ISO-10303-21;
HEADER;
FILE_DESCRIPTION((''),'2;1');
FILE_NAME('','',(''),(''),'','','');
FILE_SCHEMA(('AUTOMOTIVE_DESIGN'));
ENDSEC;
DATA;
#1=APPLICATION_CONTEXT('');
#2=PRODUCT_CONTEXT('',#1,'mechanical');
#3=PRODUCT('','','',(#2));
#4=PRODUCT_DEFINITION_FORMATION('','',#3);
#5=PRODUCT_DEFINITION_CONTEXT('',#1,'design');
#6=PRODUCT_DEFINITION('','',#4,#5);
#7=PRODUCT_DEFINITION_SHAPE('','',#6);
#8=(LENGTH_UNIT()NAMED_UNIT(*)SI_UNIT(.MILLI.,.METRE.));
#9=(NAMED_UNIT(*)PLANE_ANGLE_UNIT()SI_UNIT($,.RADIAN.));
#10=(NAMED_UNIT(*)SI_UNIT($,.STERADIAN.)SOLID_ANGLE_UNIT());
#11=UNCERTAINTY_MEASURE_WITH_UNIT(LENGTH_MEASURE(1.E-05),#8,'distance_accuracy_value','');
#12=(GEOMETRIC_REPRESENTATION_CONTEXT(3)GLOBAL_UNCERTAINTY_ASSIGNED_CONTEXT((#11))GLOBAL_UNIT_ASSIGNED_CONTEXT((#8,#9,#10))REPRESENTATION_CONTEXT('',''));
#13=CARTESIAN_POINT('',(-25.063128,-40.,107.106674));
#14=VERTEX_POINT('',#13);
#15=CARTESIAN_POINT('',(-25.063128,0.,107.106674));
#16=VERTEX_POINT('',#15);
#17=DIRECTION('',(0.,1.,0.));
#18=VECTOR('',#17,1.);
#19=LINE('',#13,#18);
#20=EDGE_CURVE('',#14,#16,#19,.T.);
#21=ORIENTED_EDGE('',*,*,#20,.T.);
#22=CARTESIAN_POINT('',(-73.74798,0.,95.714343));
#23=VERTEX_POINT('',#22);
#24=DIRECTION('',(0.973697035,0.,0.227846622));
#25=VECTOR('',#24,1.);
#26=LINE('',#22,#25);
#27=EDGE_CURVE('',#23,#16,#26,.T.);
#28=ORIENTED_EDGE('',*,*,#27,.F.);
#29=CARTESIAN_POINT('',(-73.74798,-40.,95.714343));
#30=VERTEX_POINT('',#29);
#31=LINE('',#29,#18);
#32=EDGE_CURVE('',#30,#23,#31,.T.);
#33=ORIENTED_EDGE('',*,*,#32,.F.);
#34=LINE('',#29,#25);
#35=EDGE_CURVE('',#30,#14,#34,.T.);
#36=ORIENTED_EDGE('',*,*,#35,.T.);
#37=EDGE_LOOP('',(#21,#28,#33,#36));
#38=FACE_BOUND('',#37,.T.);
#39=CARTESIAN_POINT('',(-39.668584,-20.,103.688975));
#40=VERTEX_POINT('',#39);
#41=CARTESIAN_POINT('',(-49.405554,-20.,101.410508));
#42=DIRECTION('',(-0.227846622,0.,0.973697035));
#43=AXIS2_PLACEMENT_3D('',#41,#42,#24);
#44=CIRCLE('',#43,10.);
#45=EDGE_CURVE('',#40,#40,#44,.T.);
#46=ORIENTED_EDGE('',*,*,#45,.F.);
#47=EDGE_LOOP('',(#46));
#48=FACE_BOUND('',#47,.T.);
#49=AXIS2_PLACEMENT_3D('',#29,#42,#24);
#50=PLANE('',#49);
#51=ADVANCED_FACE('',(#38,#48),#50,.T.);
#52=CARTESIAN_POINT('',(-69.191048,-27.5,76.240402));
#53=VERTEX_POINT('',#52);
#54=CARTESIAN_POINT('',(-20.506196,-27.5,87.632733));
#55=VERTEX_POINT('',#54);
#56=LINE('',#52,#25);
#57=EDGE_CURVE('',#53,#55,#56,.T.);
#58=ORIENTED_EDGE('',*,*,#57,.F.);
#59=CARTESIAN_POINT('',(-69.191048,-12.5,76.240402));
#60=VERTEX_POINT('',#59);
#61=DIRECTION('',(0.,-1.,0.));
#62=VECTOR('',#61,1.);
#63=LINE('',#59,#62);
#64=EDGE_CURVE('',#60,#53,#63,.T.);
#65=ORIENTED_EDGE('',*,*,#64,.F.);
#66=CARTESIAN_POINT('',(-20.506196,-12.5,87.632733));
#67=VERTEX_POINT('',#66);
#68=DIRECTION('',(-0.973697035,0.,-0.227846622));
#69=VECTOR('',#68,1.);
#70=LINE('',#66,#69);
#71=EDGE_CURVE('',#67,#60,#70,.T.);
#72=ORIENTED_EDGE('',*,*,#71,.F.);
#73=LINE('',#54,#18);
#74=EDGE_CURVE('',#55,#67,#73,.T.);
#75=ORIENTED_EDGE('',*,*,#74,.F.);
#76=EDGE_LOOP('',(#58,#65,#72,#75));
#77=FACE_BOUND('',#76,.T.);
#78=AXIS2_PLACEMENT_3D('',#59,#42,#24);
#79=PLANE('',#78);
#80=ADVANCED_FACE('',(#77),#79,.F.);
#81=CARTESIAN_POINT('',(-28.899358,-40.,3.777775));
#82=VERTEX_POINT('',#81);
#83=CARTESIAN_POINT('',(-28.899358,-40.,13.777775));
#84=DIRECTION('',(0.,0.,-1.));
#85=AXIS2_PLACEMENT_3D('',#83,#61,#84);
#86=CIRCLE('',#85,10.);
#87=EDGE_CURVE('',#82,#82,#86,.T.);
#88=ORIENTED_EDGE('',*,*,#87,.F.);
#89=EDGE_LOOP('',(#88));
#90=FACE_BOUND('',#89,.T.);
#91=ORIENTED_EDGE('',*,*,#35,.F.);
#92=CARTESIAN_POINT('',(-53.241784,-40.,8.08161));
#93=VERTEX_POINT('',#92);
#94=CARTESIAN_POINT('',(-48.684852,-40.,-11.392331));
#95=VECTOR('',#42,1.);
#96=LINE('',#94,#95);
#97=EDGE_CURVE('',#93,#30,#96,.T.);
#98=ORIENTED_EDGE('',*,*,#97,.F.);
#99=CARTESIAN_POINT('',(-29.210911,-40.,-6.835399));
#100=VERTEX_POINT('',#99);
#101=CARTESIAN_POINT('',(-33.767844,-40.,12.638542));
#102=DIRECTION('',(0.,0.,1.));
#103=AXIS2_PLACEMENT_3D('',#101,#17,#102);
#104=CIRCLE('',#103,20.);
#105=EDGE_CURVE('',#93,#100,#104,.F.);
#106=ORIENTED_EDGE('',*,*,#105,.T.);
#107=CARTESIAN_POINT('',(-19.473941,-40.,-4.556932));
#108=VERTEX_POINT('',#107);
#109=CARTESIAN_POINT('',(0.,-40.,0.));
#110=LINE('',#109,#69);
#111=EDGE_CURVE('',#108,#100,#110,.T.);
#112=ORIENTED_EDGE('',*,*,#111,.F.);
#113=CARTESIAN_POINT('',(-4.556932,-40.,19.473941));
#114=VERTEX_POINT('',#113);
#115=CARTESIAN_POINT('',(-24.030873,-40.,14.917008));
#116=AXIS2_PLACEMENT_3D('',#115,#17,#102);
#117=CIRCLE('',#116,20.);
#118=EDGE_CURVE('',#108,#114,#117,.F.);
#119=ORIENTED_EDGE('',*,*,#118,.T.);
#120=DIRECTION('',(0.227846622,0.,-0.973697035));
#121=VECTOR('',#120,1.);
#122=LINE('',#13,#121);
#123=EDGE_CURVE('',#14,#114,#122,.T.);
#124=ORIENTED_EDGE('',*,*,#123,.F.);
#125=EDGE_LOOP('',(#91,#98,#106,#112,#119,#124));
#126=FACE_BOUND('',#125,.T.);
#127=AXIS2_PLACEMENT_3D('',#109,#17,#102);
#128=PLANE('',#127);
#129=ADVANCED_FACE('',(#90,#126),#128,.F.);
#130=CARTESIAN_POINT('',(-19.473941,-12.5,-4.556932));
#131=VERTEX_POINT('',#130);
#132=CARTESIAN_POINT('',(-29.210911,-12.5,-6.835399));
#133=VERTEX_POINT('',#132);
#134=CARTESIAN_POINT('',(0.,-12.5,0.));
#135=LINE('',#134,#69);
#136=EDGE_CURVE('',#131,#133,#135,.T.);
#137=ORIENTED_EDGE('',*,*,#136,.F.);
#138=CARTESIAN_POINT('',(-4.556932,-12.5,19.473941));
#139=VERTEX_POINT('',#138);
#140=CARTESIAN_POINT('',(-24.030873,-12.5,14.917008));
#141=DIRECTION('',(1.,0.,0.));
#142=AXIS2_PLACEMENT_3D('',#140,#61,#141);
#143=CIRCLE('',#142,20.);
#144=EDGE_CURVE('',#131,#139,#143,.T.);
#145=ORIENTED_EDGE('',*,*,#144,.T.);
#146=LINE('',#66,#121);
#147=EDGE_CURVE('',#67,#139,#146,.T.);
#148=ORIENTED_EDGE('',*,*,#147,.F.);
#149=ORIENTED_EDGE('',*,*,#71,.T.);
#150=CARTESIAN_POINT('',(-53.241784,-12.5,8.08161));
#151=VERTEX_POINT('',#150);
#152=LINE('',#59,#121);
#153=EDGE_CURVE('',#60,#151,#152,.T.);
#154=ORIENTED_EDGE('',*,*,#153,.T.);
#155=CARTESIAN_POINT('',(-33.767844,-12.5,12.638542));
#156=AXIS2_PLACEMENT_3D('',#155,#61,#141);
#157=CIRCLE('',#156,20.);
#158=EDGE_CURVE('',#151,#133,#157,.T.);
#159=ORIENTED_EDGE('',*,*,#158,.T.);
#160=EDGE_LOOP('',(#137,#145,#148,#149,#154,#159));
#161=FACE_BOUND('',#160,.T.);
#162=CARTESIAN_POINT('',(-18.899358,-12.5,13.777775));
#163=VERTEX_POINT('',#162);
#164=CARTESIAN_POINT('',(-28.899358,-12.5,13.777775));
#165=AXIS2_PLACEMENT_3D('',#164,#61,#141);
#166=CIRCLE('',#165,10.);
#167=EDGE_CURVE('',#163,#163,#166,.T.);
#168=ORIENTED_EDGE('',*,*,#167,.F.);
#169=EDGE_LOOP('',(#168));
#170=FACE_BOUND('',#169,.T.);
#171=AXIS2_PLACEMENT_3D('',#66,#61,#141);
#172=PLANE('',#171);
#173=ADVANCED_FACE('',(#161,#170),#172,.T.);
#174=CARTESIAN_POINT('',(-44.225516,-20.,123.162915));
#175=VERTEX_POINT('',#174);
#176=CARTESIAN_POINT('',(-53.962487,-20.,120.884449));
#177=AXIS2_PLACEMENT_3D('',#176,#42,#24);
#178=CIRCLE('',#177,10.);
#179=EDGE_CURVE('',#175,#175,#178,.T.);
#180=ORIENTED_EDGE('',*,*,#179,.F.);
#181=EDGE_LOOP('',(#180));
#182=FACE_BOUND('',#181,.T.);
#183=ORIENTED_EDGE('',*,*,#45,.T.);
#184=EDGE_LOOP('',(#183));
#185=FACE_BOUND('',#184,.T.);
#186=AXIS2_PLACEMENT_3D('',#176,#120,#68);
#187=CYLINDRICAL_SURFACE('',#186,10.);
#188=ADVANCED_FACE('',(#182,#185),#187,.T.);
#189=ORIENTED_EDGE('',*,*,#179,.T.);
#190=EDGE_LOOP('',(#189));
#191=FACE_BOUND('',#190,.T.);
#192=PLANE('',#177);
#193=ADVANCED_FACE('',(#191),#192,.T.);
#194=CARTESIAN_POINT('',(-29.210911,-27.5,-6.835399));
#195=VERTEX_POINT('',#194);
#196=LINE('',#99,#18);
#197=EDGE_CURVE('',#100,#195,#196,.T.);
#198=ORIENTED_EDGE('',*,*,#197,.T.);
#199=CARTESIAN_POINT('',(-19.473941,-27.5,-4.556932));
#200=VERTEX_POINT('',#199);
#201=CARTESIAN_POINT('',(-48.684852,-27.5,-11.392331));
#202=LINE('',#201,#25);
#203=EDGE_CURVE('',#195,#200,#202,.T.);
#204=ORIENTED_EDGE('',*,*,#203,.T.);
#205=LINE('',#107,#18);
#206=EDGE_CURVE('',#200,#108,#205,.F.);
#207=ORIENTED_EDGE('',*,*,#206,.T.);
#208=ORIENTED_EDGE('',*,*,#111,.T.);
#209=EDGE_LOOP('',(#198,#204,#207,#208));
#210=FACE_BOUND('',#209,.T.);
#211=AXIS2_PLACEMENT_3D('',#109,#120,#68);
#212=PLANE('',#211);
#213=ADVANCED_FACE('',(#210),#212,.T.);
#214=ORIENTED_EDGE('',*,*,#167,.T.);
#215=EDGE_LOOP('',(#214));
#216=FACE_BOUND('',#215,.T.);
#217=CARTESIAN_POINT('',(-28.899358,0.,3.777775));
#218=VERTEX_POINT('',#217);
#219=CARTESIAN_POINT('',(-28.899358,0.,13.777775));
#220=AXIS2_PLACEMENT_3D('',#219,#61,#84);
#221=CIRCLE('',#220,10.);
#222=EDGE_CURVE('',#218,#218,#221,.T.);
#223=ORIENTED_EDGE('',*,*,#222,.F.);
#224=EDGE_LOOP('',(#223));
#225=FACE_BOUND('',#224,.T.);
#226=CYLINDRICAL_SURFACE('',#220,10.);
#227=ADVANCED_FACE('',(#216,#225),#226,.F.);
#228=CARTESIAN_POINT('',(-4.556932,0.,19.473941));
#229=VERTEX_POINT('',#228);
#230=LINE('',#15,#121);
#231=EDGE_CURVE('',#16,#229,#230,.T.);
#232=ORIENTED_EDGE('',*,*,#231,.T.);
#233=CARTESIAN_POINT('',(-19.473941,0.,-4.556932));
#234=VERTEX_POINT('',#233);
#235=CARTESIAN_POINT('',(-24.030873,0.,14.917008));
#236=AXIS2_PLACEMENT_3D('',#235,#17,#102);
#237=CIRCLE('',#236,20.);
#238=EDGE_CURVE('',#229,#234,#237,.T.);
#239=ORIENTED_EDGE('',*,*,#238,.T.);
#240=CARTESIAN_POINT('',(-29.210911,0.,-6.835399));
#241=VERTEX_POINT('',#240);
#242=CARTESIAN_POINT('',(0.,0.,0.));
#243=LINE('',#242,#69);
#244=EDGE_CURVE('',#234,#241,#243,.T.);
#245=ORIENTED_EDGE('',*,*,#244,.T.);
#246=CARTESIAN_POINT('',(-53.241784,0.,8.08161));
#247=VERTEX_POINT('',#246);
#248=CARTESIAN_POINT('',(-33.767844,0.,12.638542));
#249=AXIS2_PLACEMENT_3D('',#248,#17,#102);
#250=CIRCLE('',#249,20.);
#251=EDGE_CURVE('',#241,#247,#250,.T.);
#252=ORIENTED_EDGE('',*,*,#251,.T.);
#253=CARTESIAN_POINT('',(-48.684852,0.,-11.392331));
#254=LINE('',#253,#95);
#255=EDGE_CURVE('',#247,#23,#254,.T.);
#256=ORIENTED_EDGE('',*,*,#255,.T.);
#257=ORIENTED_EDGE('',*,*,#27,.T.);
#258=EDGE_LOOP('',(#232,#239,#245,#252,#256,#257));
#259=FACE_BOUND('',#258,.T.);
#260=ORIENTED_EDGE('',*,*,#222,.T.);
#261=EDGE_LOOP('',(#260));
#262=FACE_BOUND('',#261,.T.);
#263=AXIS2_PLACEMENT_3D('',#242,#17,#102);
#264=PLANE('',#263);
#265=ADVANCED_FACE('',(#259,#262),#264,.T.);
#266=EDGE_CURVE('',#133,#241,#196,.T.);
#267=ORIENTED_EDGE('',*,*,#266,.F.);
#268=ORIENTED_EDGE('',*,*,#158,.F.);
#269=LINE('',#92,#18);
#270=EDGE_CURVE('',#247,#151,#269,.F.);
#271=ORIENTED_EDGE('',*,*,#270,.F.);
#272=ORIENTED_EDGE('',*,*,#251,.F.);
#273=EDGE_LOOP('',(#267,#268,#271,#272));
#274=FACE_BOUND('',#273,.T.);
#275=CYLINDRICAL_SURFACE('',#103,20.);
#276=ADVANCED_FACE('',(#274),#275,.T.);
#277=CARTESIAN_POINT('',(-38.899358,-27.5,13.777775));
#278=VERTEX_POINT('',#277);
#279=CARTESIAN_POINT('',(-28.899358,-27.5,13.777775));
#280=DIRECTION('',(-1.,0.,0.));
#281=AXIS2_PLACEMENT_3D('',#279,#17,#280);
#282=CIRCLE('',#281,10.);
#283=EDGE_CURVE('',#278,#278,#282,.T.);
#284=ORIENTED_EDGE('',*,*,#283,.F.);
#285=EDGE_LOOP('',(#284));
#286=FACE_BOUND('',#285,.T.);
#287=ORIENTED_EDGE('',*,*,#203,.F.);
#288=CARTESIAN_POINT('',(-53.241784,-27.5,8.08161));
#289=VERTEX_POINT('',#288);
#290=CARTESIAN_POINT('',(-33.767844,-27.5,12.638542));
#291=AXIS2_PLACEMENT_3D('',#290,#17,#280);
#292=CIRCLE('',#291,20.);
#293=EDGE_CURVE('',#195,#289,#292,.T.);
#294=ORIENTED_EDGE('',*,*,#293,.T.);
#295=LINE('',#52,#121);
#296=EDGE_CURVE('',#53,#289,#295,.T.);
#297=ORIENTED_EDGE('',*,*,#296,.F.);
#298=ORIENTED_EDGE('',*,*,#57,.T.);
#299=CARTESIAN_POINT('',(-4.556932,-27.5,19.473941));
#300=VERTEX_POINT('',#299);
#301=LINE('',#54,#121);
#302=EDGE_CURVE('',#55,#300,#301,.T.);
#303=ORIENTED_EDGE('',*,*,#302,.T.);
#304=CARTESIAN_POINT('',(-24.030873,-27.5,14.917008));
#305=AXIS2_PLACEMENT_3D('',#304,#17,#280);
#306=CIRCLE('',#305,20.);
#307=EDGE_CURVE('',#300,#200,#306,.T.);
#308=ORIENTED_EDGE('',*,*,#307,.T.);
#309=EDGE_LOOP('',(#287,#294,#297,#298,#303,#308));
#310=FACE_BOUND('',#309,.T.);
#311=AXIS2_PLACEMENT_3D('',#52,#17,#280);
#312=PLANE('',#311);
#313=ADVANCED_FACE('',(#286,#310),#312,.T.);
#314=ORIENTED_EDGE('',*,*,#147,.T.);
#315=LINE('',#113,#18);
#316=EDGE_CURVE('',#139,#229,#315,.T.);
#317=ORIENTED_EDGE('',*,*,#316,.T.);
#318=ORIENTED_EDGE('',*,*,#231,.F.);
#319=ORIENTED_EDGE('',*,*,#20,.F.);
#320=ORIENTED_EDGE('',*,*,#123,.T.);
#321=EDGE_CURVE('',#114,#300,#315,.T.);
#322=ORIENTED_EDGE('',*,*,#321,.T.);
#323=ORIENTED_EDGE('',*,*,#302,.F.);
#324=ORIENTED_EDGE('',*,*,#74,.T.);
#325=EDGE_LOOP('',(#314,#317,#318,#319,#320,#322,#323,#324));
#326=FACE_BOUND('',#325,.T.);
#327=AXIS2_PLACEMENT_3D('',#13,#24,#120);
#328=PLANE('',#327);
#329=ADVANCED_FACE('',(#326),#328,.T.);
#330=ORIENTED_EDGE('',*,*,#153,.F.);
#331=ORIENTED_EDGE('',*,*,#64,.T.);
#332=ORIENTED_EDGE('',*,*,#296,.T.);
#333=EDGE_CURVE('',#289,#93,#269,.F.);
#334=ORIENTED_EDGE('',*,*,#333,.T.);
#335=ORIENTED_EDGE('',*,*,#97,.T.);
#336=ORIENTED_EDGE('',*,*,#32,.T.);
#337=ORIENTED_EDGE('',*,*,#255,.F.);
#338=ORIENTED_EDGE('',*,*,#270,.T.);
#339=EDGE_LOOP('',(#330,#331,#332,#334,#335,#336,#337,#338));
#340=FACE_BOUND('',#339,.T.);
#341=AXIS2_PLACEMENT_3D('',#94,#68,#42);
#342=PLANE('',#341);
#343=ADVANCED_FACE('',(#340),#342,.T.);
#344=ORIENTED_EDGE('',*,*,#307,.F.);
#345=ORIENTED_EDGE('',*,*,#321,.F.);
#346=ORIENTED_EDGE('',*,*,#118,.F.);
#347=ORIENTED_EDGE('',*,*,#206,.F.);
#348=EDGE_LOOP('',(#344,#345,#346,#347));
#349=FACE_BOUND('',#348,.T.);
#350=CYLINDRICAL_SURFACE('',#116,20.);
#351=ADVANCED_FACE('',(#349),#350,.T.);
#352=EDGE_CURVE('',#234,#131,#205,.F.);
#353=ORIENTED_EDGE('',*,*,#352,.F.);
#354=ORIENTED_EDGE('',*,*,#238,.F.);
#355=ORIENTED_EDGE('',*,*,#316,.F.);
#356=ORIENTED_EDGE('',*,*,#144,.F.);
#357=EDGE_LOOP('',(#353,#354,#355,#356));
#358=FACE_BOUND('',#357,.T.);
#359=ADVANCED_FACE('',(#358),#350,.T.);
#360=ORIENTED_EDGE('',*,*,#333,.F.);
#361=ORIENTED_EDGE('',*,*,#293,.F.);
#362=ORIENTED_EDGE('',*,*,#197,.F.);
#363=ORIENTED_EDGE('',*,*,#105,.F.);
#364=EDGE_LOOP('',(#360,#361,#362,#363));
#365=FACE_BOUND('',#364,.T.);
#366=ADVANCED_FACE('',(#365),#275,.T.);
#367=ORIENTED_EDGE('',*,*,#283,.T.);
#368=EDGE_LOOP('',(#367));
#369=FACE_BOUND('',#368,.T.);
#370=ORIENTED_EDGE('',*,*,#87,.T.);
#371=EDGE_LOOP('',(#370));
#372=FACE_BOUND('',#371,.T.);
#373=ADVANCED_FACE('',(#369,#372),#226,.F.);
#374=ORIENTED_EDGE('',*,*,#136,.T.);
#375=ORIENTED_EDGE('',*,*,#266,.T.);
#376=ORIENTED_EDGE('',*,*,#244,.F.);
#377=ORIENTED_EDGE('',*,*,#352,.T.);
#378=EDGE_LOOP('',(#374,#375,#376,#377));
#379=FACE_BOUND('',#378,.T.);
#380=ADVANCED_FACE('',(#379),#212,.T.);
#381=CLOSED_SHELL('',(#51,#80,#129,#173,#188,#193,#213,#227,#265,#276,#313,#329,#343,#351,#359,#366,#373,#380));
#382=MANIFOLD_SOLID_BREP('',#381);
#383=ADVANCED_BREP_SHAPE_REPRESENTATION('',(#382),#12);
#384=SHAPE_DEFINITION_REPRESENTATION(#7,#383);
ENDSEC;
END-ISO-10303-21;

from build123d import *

# Parameters (mm, degrees)
SKETCH9_W           = 50
SKETCH9_H           = 110
BOSS_EXTRUDE3_DEPTH = 40
CUT_EXTRUDE4_DEPTH  = 90
FILLET2_R           = 20
SKETCH15_R          = 10
CUT_EXTRUDE5_DEPTH  = 41
SKETCH22_R          = 10
BOSS_EXTRUDE4_DEPTH = 20


with BuildPart() as part:
    # Sketch9 → Boss-Extrude3 (new body)
    with BuildSketch(Plane(origin=(-33.280188112, 0, 144.42881153), x_dir=(-0.973697035, 0, -0.227846622), z_dir=(0, 1, 0))):
        with Locations((25.502796398, -93.212684061)):
            Rectangle(SKETCH9_W, SKETCH9_H)
    extrude(amount=-BOSS_EXTRUDE3_DEPTH)

    # Sketch14 → Cut-Extrude4 (cut)
    with BuildSketch(Plane(origin=(1.578968454, -248.415731332, 0.369481077), x_dir=(0.949498442, -0.221555699, 0.222184114), z_dir=(-0.227846622, 0, 0.973697035))):
        Polygon((-102.607181661, 218.615622522), (-99.28384617, 203.988406751), (-50.526460266, 215.066191719), (-53.849795757, 229.69340749), align=None)
    extrude(amount=CUT_EXTRUDE4_DEPTH, mode=Mode.SUBTRACT)

    # Fillet2
    fillet2_edges = [part.edges().sort_by_distance(p)[0] for p in [
        (0, -6.25, 0),
        (-48.684851767, -6.25, -11.392331125),
        (-48.684851767, -33.75, -11.392331125),
        (0, -33.75, 0),
    ]]
    fillet(fillet2_edges, radius=FILLET2_R)

    # Sketch15 → Cut-Extrude5 (cut, through all)
    with BuildSketch(Plane(origin=(0, -40, 0), x_dir=(0.973697035, 0, 0.227846622), z_dir=(0, -1, 0))):
        with Locations((-25, 20)):
            Circle(SKETCH15_R)
    extrude(amount=-CUT_EXTRUDE5_DEPTH, mode=Mode.SUBTRACT)

    # Sketch22 → Boss-Extrude4 (add)
    with BuildSketch(Plane(origin=(-24.856078548, -32.574722266, 107.155123892), x_dir=(-0.94660116, -0.234267522, -0.221506145), z_dir=(-0.227846622, 0, 0.973697035))):
        with Locations((21.565180907, -18.131298438)):
            Circle(SKETCH22_R)
    extrude(amount=BOSS_EXTRUDE4_DEPTH)


solid = part.part
